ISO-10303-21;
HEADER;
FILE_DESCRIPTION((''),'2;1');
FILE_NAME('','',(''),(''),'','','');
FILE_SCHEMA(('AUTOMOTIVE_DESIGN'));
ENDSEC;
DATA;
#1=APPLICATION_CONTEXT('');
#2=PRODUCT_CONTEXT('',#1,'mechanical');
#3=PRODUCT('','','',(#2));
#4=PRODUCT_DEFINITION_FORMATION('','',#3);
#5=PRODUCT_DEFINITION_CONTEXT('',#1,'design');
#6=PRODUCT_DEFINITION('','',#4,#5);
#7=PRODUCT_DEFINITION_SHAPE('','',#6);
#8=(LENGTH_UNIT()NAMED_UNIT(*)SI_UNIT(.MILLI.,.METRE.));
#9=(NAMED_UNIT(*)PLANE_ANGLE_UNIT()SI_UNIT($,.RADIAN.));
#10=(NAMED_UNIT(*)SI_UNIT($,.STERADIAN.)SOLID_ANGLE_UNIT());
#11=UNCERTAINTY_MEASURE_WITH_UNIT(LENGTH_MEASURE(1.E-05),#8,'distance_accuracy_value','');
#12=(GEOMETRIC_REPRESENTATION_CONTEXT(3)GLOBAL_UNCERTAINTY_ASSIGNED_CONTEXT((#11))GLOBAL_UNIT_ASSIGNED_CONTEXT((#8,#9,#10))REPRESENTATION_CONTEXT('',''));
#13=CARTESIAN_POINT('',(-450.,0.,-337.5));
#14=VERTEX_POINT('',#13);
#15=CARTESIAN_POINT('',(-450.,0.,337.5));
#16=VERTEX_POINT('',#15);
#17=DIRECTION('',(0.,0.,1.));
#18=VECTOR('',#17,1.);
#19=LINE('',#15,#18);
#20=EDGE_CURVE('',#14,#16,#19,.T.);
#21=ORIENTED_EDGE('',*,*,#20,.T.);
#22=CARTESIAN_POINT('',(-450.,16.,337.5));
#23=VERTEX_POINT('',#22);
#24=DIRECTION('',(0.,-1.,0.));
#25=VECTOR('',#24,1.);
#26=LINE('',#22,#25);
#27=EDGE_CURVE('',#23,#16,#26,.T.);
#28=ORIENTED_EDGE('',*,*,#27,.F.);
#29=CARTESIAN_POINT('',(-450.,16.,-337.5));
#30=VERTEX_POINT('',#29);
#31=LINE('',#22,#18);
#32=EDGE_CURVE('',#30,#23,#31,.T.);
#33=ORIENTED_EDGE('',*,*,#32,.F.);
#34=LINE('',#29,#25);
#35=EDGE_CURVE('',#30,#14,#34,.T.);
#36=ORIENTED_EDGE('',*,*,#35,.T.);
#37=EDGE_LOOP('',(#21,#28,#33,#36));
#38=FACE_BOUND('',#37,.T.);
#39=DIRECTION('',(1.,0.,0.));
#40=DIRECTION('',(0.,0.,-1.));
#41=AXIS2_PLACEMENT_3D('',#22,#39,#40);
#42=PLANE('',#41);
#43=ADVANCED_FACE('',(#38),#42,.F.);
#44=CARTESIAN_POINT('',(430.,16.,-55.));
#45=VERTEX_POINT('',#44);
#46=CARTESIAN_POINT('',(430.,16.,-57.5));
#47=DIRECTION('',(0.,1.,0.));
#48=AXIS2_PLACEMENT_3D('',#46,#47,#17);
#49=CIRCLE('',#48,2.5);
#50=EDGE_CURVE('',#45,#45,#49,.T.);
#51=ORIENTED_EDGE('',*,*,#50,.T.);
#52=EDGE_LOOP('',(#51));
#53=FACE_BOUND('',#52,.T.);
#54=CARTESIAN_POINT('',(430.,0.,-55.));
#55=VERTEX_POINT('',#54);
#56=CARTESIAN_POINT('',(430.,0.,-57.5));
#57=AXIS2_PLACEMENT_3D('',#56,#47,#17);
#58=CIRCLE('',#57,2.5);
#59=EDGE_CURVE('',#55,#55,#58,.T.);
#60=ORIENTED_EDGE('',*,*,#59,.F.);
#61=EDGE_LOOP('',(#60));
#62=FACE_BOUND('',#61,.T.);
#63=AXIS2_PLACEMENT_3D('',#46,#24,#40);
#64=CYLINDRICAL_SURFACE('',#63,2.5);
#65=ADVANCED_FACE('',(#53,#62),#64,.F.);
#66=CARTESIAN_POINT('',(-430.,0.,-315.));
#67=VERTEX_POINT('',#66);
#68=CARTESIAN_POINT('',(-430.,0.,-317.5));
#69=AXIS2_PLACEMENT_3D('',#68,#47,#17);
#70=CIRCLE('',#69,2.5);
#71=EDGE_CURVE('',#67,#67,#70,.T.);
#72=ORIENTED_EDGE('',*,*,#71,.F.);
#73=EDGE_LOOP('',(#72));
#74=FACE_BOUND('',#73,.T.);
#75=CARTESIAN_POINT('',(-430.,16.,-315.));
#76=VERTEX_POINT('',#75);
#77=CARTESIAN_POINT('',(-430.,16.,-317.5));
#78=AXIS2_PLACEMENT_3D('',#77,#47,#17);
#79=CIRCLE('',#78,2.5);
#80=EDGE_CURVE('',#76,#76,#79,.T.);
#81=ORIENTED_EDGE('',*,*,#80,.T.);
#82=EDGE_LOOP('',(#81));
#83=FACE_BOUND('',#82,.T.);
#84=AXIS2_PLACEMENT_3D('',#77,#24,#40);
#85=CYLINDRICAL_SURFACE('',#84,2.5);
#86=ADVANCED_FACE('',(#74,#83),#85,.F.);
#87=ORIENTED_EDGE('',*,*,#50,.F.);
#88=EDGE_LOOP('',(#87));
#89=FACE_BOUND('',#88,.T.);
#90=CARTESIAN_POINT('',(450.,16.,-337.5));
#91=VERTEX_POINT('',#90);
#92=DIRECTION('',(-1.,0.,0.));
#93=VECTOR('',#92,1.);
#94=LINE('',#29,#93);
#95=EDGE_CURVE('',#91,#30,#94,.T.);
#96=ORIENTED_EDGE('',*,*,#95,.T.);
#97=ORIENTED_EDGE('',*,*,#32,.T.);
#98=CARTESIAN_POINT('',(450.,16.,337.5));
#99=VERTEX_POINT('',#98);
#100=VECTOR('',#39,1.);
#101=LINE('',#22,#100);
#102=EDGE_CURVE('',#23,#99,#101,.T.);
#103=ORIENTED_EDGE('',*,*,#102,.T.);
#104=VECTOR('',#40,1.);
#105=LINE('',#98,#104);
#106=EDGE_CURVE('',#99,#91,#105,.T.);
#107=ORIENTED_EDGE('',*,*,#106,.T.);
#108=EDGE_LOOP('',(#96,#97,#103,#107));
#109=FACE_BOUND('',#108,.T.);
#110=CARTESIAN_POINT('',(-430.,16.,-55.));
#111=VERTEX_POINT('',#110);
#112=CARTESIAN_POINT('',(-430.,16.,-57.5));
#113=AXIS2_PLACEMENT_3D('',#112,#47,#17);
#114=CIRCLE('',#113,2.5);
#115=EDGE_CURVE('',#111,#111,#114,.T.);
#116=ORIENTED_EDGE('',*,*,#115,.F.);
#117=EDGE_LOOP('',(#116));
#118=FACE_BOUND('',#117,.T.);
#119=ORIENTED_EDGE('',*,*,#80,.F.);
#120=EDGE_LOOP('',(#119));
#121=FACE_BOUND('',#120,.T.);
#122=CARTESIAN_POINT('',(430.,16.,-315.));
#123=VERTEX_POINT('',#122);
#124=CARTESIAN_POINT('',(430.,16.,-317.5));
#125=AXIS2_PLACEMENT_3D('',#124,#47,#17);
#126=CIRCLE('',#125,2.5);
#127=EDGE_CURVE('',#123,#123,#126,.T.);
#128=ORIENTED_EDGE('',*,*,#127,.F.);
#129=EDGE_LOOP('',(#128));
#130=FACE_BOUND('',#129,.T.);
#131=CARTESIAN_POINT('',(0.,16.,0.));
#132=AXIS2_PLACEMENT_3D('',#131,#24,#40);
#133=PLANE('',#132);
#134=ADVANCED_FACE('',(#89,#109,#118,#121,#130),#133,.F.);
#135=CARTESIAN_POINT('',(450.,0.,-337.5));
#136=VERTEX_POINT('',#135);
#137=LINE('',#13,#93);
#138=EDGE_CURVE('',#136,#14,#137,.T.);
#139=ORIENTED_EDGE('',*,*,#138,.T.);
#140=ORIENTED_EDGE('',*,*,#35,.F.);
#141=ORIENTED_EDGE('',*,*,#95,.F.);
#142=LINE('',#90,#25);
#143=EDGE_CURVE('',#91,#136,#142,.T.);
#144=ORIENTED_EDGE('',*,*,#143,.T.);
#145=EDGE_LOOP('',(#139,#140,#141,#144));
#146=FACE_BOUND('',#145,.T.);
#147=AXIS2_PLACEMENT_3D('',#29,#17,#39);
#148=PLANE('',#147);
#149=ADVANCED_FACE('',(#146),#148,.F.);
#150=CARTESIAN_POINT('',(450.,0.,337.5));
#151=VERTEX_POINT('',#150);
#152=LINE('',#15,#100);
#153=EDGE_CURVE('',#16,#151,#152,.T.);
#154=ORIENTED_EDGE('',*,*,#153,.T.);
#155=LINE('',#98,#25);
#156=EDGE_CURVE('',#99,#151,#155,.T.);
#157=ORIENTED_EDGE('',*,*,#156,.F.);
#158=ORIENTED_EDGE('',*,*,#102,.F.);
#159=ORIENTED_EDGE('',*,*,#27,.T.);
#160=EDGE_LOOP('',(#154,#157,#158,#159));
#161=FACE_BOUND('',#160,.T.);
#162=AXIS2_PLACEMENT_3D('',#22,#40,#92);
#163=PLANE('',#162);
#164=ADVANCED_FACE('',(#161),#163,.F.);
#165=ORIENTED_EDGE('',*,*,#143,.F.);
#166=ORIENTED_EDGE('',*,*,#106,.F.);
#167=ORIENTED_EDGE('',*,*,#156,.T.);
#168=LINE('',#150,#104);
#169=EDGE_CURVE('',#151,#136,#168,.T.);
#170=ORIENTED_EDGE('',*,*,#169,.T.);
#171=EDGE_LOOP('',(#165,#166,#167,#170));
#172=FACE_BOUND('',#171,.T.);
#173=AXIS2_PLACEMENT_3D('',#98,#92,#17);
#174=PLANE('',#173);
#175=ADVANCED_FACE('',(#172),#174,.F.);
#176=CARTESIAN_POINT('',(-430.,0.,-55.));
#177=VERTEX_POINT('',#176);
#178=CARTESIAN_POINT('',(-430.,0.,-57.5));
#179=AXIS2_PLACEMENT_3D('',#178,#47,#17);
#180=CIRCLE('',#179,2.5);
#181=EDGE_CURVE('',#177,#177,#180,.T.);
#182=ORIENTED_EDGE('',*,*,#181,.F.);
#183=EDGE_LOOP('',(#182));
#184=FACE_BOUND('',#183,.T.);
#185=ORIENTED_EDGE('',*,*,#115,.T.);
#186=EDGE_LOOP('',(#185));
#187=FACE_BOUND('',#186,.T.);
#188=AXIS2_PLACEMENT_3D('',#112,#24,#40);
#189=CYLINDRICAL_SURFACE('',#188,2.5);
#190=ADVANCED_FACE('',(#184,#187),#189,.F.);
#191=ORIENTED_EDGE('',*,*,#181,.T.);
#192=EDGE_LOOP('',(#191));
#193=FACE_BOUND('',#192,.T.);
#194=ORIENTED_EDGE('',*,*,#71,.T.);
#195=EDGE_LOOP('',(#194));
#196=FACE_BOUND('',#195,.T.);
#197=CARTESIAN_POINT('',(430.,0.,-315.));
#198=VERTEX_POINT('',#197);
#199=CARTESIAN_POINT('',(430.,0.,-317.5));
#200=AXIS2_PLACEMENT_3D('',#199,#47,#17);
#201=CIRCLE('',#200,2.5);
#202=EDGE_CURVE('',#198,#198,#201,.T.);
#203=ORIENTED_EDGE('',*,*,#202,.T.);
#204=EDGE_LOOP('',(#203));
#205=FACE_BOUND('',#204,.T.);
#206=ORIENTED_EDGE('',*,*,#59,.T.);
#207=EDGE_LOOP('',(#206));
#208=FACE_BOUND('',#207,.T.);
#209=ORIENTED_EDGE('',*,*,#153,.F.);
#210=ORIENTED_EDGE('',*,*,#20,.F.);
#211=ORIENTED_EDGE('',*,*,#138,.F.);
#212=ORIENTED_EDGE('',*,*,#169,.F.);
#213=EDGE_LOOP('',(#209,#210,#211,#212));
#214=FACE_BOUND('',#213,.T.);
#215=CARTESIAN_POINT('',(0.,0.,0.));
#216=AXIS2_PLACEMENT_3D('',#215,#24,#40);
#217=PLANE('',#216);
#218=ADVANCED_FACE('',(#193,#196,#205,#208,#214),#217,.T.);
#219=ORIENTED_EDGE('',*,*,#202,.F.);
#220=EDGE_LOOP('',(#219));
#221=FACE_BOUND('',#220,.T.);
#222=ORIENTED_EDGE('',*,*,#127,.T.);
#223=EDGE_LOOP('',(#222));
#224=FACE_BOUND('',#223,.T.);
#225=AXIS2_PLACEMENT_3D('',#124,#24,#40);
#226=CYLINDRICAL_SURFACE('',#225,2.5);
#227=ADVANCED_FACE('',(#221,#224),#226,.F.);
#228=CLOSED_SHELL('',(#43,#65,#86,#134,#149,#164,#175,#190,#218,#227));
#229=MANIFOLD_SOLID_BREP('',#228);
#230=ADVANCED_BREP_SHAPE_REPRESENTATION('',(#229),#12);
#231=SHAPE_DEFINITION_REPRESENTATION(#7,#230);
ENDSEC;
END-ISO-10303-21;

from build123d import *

# Parameters (mm, degrees)
SKETCH_1_W      = 900
SKETCH_1_H      = 675
SKETCH_1_R      = 2.5
EXTRUDE_1_DEPTH = 16


with BuildPart() as part:
    # Эскиз1 → Бобышка-Вытянуть1 (new body)
    with BuildSketch(Plane(origin=(0, 0, 0), x_dir=(1, 0, 0), z_dir=(0, 1, 0))):
        Rectangle(SKETCH_1_W, SKETCH_1_H)
        with Locations(Location((-430, 317.5, 0), (0, 0, 270))):
            Circle(SKETCH_1_R, mode=Mode.SUBTRACT)
        with Locations(Location((430, 317.5, 0), (0, 0, 270))):
            Circle(SKETCH_1_R, mode=Mode.SUBTRACT)
        with Locations(Location((430, 57.5, 0), (0, 0, 270))):
            Circle(SKETCH_1_R, mode=Mode.SUBTRACT)
        with Locations(Location((-430, 57.5, 0), (0, 0, 270))):
            Circle(SKETCH_1_R, mode=Mode.SUBTRACT)
    extrude(amount=EXTRUDE_1_DEPTH)


solid = part.part
